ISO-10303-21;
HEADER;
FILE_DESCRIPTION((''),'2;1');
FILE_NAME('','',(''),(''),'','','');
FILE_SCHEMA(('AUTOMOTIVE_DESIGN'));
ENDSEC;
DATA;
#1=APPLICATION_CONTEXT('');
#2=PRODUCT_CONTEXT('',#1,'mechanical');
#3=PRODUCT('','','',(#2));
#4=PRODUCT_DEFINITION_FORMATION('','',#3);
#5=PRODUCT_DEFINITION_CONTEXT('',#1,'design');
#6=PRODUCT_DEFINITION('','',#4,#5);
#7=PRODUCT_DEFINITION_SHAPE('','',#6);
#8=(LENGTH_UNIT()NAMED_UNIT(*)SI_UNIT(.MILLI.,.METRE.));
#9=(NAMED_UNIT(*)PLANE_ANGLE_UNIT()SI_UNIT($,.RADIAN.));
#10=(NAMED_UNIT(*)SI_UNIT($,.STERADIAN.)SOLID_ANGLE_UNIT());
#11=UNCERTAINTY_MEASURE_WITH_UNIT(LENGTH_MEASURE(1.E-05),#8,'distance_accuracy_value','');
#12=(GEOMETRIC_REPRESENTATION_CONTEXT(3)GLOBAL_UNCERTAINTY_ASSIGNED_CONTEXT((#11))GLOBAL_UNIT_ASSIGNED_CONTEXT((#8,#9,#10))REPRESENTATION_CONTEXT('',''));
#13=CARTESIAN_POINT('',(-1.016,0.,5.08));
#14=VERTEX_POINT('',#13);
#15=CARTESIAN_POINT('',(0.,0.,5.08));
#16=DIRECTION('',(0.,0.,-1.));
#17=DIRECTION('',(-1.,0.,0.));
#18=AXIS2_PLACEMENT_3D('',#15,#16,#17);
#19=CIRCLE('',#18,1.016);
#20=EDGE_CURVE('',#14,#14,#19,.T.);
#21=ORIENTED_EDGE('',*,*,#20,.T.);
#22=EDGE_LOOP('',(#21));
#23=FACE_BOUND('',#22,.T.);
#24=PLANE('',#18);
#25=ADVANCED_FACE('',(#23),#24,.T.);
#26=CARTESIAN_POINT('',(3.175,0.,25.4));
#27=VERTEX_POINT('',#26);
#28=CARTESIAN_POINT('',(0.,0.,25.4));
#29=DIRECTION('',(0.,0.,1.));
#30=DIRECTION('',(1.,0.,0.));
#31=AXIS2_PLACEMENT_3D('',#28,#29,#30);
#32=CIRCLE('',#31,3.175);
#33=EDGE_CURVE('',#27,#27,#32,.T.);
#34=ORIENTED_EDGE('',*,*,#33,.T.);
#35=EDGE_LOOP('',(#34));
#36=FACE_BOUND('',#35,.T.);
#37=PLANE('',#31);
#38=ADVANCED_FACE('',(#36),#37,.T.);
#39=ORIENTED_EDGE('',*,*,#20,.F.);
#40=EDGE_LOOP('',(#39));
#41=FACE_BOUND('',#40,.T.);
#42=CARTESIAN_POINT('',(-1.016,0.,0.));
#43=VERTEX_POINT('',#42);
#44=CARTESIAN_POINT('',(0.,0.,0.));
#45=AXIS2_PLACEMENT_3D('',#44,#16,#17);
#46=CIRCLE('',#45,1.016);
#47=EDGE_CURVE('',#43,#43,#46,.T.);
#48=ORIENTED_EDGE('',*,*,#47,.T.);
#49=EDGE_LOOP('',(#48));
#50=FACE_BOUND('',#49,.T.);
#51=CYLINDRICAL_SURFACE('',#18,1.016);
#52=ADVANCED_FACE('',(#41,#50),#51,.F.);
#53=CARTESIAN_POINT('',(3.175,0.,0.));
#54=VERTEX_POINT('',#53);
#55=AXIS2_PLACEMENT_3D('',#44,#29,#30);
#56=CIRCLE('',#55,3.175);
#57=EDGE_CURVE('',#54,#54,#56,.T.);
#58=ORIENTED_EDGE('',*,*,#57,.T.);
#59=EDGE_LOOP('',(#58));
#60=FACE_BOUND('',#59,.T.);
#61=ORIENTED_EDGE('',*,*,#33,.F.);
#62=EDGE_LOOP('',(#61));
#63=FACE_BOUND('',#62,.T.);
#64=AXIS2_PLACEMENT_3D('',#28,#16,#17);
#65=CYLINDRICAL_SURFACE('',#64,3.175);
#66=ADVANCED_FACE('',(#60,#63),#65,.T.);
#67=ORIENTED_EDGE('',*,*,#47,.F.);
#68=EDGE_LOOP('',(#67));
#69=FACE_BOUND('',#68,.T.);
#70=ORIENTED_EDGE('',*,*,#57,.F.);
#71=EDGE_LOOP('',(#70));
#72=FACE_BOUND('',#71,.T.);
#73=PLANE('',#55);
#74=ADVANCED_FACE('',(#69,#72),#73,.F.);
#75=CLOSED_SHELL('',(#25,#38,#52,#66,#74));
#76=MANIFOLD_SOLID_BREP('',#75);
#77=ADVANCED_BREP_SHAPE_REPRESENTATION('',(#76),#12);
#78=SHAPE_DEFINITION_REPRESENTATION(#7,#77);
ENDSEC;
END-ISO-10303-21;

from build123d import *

# Parameters (mm, degrees)
SKETCH1_R           = 3.175
BOSS_EXTRUDE1_DEPTH = 25.4
SKETCH2_R           = 1.016
CUT_EXTRUDE1_DEPTH  = 5.08


with BuildPart() as part:
    # Sketch1 → Boss-Extrude1 (new body)
    with BuildSketch(Plane.XY):
        Circle(SKETCH1_R)
    extrude(amount=BOSS_EXTRUDE1_DEPTH)

    # Sketch2 → Cut-Extrude1 (cut)
    with BuildSketch(Plane(origin=(0, 0, 0), x_dir=(-1, 0, 0), z_dir=(0, 0, -1))):
        Circle(SKETCH2_R)
    extrude(amount=-CUT_EXTRUDE1_DEPTH, mode=Mode.SUBTRACT)


solid = part.part
